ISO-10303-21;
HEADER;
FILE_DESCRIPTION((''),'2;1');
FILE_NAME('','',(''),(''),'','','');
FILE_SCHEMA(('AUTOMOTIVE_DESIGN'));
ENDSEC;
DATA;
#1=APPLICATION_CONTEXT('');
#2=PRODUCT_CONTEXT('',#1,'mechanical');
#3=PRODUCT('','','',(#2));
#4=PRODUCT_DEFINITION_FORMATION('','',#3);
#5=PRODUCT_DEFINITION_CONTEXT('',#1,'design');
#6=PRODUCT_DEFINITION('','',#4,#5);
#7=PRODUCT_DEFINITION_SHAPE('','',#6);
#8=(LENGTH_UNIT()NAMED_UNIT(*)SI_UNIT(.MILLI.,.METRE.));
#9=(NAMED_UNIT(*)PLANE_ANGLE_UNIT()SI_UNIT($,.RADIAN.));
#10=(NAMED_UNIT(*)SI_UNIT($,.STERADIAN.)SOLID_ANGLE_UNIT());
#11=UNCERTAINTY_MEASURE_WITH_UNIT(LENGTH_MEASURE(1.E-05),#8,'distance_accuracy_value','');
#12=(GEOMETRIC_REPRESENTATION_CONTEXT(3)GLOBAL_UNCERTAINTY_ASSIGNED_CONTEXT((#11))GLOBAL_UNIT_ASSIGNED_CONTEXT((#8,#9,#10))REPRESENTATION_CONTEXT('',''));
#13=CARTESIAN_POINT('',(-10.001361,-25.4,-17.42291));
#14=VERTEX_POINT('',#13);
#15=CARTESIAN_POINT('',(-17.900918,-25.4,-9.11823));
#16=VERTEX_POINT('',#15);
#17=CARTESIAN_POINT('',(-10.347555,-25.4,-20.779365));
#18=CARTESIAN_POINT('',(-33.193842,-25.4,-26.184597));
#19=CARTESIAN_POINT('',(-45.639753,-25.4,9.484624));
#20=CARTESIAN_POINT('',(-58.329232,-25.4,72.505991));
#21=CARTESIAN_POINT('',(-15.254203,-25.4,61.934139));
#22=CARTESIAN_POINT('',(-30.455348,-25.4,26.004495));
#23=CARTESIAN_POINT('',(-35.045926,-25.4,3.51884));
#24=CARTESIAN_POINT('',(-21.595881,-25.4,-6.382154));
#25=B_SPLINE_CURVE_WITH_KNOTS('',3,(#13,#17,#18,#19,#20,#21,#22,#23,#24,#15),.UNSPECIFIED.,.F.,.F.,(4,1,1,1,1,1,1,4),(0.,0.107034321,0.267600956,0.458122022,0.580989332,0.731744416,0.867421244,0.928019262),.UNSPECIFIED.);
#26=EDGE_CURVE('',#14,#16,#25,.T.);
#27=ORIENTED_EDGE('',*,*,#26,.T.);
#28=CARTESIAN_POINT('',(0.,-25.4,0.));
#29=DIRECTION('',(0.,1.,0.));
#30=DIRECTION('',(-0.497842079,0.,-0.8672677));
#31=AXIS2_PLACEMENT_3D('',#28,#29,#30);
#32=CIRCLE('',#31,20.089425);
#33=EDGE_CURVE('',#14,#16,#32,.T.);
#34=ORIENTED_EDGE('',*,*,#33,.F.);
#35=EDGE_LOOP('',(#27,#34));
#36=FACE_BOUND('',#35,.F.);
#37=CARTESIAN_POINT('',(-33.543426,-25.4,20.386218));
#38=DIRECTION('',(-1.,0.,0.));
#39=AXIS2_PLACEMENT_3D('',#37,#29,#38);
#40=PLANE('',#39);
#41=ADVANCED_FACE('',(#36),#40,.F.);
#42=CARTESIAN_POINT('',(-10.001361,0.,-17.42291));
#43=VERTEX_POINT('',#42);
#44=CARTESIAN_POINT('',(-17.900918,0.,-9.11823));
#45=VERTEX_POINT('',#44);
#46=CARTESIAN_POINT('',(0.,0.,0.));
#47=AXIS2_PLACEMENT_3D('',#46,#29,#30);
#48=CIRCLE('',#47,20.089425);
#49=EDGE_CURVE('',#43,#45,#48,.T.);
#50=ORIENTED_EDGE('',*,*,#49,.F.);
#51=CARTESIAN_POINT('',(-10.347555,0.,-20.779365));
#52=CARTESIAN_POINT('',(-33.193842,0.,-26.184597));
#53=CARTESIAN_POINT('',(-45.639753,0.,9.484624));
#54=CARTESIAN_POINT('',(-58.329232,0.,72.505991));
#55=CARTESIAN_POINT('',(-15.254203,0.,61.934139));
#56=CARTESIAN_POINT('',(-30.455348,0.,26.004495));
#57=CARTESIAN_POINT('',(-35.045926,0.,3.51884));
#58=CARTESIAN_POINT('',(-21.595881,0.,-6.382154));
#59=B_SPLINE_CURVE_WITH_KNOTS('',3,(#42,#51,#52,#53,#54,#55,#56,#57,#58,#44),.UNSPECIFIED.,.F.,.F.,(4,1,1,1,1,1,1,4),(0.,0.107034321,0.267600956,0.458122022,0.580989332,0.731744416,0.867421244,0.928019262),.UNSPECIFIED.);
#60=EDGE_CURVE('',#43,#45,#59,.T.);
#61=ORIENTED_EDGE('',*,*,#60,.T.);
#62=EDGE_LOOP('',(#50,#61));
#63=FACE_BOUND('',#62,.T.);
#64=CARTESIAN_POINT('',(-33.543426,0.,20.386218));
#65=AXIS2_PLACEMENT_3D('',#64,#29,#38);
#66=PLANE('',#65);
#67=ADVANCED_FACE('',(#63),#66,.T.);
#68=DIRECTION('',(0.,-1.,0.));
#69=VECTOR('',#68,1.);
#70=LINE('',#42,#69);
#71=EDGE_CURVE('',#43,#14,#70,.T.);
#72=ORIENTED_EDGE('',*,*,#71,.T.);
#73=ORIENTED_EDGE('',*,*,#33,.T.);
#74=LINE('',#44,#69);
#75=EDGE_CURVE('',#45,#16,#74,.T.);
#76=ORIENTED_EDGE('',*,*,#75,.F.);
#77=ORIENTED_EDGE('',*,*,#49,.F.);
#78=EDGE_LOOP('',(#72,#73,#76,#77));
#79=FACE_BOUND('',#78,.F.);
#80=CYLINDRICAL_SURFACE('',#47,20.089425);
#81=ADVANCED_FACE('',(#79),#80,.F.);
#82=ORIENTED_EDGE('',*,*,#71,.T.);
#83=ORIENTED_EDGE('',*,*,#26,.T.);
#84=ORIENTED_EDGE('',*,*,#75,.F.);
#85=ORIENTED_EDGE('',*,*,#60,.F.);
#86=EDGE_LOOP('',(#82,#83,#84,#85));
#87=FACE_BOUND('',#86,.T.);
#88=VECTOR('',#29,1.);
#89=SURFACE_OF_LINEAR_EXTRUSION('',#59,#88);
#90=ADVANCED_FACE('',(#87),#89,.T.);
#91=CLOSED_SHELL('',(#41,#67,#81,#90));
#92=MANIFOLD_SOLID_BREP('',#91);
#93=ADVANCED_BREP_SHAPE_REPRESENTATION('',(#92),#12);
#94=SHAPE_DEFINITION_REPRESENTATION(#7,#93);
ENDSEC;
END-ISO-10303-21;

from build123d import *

# Parameters (mm, degrees)
F1_DEPTH = 25.4


with BuildPart() as f1:
    # F0 (on Front) → F1 (new body)
    with BuildSketch(Plane.XZ):
        with BuildLine():
            add(Edge.make_bspline(
                [(-10.0013612206, -17.422909609), (-10.3475551421, -20.7793652136), (-33.1938417099, -26.1845971211), (-45.6397526176, 9.4846236761), (-58.3292318808, 72.5059914451), (-15.2542027951, 61.9341385455), (-30.4553479108, 26.0044945449), (-35.0459257645, 3.5188400777), (-21.5958811336, -6.3821536114), (-17.900918441, -9.118230337)],
                knots=[0, 0, 0, 0, 0.1070343209, 0.2676009561, 0.4581220218, 0.5809893324, 0.731744416, 0.8674212444, 0.9280192622, 0.9280192622, 0.9280192622, 0.9280192622], degree=3))
            ThreePointArc((-10.0013612206, -17.422909609), (-14.5559687768, -13.8458939212), (-17.900918441, -9.118230337))
        make_face()
    extrude(amount=F1_DEPTH)


solid = f1.part
